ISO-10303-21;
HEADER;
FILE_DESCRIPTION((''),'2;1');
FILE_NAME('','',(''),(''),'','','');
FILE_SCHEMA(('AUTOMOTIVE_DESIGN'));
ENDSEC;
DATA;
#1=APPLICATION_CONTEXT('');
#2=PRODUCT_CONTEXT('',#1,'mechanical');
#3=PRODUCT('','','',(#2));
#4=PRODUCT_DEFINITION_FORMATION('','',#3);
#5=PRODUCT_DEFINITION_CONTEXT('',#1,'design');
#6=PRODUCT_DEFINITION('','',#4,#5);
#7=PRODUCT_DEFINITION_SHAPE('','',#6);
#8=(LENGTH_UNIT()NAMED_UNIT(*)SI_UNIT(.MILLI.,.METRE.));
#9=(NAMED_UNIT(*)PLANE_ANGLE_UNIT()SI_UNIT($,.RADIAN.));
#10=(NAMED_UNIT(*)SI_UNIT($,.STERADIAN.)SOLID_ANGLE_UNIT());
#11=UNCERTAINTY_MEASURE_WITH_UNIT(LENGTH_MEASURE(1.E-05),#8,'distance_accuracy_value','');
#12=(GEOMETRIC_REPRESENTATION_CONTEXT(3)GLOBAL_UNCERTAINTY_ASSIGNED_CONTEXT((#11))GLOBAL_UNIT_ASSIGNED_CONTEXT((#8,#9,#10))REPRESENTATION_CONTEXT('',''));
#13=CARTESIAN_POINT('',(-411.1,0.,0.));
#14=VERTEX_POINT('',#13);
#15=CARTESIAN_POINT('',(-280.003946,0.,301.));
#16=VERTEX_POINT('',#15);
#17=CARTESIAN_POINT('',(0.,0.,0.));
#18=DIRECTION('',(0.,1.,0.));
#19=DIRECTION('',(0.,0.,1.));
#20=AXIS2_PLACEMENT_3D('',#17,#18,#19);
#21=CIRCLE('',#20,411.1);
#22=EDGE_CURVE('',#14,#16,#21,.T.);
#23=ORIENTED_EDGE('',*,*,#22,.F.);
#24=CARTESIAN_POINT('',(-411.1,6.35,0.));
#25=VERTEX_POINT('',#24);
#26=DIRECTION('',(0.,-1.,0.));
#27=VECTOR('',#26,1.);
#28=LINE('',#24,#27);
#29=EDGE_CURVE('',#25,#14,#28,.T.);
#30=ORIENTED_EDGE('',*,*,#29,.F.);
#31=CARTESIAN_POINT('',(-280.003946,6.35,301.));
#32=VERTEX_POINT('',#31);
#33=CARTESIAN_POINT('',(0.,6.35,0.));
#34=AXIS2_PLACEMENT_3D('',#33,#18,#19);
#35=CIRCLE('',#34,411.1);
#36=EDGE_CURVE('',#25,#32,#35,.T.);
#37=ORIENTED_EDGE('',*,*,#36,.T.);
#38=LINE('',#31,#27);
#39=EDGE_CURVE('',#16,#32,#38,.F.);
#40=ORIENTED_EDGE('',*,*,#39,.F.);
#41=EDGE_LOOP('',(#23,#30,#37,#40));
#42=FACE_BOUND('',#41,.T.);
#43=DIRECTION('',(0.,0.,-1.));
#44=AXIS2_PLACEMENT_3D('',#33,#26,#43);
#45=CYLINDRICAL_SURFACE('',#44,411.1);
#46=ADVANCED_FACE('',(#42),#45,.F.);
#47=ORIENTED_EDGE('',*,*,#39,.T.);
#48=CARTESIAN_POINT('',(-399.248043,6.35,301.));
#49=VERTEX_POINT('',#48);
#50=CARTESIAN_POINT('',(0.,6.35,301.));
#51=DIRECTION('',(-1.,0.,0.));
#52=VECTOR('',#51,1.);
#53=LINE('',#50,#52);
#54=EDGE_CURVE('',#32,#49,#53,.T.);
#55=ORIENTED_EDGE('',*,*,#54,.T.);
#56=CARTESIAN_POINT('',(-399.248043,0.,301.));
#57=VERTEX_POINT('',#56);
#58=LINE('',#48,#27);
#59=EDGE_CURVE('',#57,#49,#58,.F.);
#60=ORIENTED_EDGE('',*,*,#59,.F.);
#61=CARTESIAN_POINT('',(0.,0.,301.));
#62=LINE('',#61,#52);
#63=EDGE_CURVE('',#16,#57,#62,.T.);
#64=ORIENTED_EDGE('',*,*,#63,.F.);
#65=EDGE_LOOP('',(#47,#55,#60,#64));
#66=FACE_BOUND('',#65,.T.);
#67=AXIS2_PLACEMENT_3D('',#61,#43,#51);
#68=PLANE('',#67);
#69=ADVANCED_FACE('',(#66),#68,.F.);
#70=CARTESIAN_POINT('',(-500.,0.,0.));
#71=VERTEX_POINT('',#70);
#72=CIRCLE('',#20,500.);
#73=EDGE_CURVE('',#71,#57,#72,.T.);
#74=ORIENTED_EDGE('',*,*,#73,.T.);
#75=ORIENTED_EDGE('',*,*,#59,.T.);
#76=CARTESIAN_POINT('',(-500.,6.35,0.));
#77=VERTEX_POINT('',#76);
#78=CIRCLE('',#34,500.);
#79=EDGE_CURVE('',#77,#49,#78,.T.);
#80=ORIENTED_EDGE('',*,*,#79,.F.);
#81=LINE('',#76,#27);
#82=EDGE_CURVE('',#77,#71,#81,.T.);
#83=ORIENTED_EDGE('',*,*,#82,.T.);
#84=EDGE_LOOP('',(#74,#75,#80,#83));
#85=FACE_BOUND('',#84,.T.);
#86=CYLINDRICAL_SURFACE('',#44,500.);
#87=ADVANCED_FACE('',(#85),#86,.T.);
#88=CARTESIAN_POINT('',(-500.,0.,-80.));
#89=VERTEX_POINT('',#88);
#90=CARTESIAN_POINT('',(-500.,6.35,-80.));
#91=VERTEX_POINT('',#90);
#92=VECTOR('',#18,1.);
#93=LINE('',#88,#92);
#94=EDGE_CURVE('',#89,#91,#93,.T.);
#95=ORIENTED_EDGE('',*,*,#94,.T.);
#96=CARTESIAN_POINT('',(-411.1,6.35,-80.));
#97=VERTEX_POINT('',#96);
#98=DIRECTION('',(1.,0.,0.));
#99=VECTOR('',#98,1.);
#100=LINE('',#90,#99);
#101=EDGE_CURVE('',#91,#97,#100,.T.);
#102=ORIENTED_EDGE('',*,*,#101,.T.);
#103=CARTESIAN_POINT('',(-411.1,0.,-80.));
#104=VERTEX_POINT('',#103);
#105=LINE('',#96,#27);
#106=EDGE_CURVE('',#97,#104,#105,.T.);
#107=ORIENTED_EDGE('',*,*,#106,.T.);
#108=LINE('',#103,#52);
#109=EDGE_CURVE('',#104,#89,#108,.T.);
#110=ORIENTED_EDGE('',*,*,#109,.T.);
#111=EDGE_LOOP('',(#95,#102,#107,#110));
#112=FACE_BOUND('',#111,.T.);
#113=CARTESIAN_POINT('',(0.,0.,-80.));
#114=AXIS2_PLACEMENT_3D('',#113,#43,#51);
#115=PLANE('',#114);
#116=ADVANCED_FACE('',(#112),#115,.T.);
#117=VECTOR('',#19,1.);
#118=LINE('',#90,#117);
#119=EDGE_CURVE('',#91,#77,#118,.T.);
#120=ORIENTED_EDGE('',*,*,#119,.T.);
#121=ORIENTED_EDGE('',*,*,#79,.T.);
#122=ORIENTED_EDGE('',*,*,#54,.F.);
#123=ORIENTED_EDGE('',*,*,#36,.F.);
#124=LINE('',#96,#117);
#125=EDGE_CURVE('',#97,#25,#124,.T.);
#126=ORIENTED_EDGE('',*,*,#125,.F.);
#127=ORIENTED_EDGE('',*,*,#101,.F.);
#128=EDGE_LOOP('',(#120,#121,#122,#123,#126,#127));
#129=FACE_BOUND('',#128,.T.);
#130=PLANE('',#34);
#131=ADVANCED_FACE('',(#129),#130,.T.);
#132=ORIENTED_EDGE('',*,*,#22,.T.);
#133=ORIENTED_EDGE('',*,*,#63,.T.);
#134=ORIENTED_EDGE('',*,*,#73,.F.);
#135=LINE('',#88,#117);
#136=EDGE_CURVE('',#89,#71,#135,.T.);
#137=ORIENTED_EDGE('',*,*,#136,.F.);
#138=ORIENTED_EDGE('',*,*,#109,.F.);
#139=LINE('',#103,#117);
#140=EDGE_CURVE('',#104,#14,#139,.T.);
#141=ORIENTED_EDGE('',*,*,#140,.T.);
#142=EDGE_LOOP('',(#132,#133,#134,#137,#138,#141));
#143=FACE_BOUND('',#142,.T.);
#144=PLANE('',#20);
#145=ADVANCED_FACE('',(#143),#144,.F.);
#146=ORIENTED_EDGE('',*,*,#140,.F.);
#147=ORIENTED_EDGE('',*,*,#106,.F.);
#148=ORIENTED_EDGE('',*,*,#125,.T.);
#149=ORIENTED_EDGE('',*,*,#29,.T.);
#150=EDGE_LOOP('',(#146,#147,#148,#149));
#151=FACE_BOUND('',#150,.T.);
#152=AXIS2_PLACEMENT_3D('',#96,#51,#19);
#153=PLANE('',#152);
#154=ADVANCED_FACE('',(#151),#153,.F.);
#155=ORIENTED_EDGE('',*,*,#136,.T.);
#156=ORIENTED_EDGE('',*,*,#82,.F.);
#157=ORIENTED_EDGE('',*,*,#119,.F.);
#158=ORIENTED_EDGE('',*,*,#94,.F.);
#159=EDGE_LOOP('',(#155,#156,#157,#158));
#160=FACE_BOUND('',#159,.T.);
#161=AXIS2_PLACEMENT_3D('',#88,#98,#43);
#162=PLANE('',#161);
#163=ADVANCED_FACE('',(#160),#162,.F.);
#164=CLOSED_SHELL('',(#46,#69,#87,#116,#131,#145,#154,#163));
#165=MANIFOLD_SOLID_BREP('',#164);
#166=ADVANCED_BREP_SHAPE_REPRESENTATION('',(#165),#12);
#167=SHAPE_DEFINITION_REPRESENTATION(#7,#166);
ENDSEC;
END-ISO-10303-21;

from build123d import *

# Parameters (mm, degrees)
BOSS_EXTRUDE1_DEPTH = 6.35
SKETCH3_W           = 88.9
SKETCH3_H           = 6.35
BOSS_EXTRUDE2_DEPTH = 80


with BuildPart() as part:
    # Sketch2 → Boss-Extrude1 (new body)
    with BuildSketch(Plane(origin=(0, 0, 0), x_dir=(1, 0, 0), z_dir=(0, 1, 0))):
        with BuildLine():
            ThreePointArc((0, -411.1), (-290.691597746, -290.691597746), (-411.1, 0))
            Line((-411.1, 0), (-500, 0))
            ThreePointArc((-500, 0), (-353.553390593, -353.553390593), (0, -500))
            Line((0, -500), (0, -411.1))
        make_face()
    extrude(amount=BOSS_EXTRUDE1_DEPTH)

    # Sketch3 → Boss-Extrude2 (add)
    with BuildSketch(Plane(origin=(0, 0, 0), x_dir=(-1, 0, 0), z_dir=(0, 0, -1))):
        with Locations((455.55, 3.175)):
            Rectangle(SKETCH3_W, SKETCH3_H)
    extrude(amount=BOSS_EXTRUDE2_DEPTH)

    # Split1
    split(bisect_by=Plane(origin=(0, 0, 301), x_dir=(-1, 0, 0), z_dir=(0, 0, -1)), keep=Keep.TOP)


solid = part.part
